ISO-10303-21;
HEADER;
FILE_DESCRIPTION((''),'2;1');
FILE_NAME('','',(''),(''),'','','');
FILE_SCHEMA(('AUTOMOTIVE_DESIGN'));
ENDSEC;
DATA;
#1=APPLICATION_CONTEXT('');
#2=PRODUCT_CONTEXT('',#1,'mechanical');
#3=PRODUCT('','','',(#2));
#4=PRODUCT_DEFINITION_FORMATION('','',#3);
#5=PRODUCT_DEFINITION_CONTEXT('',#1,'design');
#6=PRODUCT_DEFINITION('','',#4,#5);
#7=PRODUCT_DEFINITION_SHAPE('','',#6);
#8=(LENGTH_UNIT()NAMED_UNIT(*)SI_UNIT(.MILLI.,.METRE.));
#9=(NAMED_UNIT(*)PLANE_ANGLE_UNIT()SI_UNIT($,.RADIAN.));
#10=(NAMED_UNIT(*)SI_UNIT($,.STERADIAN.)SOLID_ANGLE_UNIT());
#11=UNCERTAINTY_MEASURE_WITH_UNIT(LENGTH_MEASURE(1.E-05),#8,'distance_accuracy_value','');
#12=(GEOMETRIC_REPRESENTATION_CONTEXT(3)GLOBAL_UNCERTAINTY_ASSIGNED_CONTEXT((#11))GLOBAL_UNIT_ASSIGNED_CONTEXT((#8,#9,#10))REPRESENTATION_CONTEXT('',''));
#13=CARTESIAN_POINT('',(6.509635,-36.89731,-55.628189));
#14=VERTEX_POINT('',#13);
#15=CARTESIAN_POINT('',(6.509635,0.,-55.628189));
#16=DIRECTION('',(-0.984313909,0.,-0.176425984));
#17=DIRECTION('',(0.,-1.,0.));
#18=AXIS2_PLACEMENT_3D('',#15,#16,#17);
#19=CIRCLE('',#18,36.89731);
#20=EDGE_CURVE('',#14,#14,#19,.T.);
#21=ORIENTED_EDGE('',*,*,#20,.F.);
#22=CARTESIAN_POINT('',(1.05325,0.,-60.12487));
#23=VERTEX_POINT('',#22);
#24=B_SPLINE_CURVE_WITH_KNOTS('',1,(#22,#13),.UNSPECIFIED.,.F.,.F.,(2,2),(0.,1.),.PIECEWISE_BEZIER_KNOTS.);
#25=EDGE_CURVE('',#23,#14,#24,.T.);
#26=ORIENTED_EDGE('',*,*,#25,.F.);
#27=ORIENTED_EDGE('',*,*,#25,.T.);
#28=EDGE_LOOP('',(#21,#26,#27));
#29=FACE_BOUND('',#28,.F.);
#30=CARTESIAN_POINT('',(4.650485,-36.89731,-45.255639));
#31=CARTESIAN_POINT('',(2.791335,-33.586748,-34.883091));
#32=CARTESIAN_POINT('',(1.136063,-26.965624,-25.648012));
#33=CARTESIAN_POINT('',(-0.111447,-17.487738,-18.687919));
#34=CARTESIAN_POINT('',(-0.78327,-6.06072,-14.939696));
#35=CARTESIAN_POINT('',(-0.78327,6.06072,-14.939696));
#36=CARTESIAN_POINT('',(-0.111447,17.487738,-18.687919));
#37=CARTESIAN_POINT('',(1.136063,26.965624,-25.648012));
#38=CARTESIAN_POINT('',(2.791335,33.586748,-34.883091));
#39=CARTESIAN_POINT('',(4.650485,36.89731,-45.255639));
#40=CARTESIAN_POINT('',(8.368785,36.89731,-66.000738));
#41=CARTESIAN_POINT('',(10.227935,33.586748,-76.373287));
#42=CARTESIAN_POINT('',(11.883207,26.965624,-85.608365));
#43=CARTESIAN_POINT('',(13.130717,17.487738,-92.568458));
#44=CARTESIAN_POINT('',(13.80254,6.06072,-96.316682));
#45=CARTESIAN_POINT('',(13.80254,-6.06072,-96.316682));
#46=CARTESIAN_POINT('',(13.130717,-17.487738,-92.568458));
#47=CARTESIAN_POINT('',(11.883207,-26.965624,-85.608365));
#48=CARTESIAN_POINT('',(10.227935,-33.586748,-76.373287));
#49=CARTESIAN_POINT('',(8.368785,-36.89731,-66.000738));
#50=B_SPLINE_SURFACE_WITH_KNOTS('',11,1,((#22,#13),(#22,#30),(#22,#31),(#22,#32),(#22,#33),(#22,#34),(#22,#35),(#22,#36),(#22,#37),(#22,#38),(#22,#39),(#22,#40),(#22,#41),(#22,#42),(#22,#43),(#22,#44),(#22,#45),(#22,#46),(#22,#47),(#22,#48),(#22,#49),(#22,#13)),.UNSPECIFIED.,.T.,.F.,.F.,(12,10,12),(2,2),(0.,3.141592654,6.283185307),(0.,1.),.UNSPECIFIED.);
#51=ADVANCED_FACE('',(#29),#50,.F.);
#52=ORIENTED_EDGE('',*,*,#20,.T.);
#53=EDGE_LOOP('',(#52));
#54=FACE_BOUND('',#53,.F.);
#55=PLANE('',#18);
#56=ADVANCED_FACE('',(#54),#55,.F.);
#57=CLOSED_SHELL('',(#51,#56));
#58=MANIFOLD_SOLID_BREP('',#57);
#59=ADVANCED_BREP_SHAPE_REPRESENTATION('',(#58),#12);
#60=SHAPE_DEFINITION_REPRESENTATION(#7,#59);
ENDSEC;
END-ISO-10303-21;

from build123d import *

# Parameters (mm, degrees)
F3_R = 36.89731


with BuildPart() as f4:
    # F3 (on face) → F4 section 0
    with BuildSketch(Plane(origin=(-3.353295, 0, -0.601038), x_dir=(0, -1, 0), z_dir=(-0.984314, 0, -0.176426)), mode=Mode.PRIVATE) as f4_s0:
        with Locations((0, -55.904067)):
            Circle(F3_R)
    loft([Vertex(1.05325, 0, -60.12487), f4_s0.sketch])


solid = f4.part
